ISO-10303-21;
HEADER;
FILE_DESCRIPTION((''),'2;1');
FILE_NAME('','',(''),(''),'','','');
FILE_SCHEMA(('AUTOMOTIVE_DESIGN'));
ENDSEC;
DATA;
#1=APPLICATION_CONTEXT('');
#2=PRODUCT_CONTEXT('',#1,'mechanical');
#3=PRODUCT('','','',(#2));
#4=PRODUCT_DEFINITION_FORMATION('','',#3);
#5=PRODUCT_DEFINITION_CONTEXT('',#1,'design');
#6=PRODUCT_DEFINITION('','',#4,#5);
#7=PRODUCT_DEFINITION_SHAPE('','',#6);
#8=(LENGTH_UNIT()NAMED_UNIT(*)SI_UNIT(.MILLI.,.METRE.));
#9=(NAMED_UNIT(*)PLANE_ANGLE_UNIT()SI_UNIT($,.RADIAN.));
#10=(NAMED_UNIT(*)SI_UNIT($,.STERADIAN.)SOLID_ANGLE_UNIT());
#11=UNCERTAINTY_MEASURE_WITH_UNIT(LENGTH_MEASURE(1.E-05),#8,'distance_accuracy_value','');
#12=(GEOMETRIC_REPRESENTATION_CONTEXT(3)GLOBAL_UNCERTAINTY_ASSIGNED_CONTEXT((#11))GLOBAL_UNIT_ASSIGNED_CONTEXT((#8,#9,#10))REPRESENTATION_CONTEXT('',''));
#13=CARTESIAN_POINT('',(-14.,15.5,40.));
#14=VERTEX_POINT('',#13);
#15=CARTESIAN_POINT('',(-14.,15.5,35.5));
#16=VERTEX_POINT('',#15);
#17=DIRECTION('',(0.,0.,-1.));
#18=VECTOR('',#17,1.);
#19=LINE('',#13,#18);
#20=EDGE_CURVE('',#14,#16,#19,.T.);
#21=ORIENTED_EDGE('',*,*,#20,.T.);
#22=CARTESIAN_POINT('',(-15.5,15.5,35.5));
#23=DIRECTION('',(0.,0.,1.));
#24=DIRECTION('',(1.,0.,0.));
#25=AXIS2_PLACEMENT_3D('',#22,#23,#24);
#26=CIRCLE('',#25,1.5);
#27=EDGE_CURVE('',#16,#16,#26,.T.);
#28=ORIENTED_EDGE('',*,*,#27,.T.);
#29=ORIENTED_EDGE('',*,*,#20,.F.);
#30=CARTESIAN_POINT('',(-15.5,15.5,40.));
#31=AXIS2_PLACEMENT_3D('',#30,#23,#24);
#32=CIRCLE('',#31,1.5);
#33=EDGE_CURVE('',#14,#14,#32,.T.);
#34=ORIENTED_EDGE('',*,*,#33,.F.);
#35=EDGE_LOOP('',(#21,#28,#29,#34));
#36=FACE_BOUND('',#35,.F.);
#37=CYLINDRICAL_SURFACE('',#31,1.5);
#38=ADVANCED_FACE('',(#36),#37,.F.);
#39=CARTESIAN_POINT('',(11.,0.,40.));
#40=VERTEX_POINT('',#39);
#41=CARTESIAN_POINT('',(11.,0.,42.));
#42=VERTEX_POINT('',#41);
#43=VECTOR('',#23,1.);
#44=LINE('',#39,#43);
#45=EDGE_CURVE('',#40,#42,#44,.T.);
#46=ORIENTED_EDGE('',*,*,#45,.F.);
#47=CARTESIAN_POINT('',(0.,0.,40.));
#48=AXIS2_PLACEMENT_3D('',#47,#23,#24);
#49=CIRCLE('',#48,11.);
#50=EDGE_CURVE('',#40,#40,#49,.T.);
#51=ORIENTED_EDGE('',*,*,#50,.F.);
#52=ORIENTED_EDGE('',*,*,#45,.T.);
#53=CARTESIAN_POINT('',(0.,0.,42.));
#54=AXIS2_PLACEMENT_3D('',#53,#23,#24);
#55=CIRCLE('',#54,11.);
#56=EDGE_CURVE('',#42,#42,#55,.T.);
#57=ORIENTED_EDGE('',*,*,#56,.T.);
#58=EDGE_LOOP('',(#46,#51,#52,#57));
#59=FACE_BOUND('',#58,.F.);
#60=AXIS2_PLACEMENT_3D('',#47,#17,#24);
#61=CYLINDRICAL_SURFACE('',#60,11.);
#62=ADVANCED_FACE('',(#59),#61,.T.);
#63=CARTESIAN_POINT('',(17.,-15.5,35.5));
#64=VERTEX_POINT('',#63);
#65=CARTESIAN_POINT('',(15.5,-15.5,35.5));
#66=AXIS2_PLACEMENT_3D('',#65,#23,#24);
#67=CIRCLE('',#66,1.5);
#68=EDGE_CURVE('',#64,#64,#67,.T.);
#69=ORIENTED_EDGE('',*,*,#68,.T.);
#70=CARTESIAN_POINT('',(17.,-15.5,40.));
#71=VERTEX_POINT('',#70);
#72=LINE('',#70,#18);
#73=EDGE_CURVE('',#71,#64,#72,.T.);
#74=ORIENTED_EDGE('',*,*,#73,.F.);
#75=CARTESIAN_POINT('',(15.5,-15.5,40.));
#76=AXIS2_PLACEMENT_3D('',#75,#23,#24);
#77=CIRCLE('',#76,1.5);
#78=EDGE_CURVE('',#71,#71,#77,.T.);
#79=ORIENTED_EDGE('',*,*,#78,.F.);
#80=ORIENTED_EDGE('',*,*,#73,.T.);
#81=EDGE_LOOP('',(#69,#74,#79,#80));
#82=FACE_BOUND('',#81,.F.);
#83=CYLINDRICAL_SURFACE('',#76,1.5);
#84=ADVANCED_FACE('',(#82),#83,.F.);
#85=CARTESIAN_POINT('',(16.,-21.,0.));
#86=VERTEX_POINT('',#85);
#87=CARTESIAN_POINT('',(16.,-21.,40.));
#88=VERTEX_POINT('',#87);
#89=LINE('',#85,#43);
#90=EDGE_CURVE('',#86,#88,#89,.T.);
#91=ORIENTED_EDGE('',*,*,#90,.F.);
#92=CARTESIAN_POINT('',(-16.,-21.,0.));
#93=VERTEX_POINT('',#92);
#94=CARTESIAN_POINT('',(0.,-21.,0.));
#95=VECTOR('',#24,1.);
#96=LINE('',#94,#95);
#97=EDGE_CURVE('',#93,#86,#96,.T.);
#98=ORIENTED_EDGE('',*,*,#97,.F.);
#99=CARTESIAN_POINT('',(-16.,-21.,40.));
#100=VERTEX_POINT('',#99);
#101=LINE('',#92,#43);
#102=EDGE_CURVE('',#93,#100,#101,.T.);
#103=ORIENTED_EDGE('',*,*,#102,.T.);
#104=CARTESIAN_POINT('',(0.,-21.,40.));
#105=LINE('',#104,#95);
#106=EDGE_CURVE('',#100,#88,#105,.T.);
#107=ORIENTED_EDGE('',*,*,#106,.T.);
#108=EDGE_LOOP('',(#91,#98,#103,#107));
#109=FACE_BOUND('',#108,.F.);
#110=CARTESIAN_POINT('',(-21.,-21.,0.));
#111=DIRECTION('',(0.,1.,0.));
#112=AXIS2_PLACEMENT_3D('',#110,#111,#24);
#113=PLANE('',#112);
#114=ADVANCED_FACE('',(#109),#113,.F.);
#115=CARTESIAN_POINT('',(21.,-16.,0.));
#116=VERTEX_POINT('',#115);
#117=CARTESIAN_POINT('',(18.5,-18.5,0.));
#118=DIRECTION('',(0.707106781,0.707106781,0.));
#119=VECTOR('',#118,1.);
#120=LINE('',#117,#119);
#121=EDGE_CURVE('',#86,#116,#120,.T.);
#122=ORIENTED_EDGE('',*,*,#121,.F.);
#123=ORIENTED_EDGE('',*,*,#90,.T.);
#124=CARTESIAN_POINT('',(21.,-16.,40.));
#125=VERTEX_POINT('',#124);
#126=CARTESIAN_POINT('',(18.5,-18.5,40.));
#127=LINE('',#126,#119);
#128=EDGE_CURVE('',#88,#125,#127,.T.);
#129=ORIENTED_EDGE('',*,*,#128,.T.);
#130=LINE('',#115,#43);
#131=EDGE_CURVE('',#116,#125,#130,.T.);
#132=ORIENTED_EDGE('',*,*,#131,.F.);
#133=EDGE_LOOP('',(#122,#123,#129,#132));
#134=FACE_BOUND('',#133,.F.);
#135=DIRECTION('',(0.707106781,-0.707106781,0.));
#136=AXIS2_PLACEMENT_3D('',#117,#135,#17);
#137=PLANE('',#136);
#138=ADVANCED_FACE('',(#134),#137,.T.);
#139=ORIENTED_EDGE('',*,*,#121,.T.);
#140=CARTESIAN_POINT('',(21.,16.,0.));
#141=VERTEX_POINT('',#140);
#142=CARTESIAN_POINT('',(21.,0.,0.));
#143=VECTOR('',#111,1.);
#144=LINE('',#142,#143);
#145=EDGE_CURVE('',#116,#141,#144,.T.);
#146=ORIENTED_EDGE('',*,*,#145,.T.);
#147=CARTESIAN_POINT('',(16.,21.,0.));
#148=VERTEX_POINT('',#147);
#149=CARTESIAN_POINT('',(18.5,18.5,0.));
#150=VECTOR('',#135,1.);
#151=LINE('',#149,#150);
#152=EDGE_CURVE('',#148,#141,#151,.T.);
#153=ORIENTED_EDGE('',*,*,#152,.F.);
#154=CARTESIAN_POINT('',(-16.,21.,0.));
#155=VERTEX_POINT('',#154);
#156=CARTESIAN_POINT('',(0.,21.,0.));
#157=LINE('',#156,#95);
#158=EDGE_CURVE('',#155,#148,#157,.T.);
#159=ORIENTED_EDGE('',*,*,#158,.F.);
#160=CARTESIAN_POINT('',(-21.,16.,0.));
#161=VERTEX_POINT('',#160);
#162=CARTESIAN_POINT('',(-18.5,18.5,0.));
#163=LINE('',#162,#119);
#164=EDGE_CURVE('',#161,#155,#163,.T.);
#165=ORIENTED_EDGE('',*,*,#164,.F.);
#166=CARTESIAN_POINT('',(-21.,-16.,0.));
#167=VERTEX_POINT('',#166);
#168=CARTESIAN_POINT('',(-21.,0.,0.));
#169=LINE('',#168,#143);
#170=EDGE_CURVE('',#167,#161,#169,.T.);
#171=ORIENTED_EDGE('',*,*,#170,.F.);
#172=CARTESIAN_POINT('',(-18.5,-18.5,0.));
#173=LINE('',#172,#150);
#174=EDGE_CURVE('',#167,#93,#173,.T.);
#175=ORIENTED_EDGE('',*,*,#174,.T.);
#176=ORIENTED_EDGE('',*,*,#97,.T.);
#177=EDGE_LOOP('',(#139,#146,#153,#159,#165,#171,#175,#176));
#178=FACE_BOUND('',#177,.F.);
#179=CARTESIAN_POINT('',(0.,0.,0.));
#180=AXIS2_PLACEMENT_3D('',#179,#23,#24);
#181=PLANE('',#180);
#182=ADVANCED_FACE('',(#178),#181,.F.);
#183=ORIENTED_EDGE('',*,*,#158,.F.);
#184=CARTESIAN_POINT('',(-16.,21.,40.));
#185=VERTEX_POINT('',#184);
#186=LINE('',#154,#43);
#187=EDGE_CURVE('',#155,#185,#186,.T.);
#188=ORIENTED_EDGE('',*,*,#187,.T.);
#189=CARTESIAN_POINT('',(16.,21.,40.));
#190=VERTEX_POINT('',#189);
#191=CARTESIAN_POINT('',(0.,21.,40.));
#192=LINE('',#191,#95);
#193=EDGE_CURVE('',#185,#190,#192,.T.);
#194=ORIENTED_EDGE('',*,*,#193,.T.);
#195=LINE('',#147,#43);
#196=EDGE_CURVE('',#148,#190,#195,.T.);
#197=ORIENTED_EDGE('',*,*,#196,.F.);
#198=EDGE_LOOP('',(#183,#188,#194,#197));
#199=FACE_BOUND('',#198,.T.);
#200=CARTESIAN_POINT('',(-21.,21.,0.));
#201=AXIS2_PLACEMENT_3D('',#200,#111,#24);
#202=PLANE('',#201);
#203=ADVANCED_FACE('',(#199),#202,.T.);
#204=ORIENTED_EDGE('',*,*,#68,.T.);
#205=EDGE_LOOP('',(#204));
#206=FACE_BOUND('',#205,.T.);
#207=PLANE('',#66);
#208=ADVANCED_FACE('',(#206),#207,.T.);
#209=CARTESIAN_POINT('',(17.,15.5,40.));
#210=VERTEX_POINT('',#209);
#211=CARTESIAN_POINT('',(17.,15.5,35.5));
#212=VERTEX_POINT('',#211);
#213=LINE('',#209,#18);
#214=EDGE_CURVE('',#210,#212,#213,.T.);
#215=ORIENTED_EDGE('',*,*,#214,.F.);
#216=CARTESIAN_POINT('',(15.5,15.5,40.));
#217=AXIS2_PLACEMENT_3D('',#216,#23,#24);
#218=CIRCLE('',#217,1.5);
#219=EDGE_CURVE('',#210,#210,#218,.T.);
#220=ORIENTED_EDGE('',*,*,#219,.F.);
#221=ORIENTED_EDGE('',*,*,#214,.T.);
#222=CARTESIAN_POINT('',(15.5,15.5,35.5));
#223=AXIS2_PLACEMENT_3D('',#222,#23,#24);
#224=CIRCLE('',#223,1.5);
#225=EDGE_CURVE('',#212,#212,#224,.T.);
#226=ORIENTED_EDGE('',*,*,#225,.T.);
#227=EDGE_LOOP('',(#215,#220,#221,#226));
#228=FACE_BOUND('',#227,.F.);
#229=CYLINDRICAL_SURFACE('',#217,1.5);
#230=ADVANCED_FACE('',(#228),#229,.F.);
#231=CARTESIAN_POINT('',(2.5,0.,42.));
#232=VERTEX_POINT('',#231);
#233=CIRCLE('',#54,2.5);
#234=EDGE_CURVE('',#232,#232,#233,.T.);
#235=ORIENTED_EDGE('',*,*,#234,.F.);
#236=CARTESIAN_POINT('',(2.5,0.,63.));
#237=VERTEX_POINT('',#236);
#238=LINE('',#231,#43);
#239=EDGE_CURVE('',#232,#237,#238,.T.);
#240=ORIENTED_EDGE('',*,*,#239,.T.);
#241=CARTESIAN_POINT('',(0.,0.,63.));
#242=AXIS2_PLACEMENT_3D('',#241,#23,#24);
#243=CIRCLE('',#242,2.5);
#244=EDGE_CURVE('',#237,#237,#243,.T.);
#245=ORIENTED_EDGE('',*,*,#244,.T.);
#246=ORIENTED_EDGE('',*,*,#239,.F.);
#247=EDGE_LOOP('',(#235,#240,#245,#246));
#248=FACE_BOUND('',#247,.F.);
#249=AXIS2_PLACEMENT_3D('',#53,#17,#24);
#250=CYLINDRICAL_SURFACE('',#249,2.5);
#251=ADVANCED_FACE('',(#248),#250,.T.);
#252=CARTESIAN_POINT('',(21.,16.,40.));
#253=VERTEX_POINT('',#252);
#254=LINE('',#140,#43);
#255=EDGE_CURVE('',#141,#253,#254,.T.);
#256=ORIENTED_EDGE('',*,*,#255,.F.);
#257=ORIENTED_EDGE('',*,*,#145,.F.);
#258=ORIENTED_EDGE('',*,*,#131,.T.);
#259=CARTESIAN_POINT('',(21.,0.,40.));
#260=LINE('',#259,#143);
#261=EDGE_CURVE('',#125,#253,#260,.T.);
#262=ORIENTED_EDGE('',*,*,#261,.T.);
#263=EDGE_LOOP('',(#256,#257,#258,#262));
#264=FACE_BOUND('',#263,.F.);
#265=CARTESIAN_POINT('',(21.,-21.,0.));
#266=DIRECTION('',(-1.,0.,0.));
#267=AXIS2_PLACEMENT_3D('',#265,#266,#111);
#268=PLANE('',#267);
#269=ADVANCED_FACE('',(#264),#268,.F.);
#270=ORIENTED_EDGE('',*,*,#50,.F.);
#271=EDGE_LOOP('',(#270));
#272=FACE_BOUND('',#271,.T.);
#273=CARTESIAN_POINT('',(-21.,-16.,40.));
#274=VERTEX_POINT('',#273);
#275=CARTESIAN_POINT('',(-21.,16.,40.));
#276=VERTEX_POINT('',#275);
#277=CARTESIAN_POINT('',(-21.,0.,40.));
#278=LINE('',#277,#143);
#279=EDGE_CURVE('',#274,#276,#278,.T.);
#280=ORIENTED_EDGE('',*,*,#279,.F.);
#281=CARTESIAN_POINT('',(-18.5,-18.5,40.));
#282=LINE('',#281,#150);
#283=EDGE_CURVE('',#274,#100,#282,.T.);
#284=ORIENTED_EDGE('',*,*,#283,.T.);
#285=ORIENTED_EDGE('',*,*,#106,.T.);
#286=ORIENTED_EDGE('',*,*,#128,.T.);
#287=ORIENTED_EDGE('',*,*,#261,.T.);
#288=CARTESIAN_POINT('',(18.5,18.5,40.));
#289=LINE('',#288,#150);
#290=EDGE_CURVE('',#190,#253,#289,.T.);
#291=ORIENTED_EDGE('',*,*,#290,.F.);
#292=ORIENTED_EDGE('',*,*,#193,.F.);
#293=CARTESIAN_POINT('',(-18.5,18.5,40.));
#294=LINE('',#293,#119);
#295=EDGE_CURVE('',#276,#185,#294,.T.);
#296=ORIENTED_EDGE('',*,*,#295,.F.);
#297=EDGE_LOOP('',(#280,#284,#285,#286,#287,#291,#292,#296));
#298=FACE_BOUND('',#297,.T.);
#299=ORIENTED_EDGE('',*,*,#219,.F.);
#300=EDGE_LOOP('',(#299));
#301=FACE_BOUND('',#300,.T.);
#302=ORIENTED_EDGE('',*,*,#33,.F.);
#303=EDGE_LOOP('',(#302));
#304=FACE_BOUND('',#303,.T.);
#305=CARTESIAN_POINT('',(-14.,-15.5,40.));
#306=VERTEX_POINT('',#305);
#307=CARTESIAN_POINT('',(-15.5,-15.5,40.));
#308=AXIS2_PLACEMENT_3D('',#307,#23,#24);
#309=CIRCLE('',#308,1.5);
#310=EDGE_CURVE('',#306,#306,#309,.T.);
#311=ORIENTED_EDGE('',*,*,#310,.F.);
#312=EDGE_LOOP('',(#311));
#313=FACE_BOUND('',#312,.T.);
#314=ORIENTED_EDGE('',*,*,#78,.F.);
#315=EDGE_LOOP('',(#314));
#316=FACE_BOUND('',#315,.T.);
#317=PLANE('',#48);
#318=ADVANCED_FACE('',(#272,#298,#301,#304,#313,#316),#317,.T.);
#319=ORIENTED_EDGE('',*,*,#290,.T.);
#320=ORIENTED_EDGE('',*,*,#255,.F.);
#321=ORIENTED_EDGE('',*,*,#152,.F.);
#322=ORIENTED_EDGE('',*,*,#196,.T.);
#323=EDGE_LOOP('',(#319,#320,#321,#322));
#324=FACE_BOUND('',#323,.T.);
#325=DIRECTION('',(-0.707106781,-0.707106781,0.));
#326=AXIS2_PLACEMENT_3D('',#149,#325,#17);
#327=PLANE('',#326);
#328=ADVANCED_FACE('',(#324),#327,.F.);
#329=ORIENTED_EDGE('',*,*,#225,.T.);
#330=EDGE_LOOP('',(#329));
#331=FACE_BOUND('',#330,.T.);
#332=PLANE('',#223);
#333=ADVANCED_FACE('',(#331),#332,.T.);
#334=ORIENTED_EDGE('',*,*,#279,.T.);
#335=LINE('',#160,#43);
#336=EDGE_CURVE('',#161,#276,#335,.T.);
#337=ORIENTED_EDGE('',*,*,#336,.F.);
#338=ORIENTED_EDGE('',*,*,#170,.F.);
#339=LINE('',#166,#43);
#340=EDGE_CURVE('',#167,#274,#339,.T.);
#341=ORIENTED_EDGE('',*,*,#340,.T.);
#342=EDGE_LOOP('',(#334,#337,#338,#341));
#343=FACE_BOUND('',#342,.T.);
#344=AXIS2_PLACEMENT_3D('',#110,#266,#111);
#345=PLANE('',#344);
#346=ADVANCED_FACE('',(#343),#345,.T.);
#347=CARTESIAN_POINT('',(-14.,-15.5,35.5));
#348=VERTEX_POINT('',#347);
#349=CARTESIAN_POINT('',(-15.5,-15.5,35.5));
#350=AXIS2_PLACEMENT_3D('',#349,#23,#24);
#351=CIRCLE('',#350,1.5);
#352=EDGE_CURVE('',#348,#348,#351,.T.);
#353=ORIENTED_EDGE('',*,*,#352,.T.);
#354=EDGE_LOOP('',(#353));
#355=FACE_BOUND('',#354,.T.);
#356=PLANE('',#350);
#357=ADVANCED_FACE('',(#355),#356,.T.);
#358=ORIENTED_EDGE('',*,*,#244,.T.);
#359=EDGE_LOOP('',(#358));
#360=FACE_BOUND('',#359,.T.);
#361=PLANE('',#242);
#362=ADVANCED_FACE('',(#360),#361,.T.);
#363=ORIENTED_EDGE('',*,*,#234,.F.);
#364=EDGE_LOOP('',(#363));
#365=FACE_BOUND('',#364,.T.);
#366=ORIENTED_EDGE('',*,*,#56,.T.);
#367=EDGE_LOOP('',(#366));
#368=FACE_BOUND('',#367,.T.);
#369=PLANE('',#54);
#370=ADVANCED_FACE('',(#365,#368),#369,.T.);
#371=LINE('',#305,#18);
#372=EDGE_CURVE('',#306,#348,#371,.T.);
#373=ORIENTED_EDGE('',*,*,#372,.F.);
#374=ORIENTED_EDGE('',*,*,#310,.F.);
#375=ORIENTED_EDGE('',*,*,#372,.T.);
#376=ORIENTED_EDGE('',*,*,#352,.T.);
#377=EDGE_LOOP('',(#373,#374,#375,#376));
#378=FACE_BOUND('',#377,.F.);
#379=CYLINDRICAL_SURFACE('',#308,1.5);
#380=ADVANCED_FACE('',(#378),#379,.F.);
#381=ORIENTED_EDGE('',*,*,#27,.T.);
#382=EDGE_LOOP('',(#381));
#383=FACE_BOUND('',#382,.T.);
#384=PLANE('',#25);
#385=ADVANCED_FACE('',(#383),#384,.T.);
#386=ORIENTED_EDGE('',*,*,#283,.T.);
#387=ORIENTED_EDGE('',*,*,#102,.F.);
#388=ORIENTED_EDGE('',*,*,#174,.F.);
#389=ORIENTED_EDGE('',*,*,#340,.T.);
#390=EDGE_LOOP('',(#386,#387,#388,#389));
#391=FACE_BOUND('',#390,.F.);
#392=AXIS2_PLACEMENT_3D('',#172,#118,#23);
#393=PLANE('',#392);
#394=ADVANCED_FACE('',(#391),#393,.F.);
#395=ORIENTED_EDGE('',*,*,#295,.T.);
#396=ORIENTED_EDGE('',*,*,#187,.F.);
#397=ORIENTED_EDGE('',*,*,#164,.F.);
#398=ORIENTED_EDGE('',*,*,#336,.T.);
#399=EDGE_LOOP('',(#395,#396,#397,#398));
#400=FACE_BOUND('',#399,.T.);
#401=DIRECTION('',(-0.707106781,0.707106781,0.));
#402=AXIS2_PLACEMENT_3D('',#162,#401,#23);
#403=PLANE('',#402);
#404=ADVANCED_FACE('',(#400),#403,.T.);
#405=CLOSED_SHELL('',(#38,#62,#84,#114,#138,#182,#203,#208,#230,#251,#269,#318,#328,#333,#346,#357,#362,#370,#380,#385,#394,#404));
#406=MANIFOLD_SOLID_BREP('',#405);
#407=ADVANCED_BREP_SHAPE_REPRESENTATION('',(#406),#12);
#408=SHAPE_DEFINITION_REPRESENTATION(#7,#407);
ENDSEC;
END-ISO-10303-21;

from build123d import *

# Parameters (mm, degrees)
F0_W     = 42
F0_H     = 42
F1_DEPTH = 40
F2_R     = 11
F3_DEPTH = 2
F4_R     = 2.5
F5_DEPTH = 21
F6_R     = 1.5
F7_DEPTH = 4.5
F8_SIZE  = 5


with BuildPart() as f1:
    # F0 (on Top) → F1 (new body)
    with BuildSketch(Plane.XY):
        Rectangle(F0_W, F0_H)
    extrude(amount=F1_DEPTH)

    # F2 (on face) → F3 (join)
    with BuildSketch(Plane.XY.offset(40)):
        Circle(F2_R)
    extrude(amount=F3_DEPTH)

    # F4 (on face) → F5 (join)
    with BuildSketch(Plane.XY.offset(42)):
        Circle(F4_R)
    extrude(amount=F5_DEPTH)

    # F6 (on face) → F7 (cut)
    with BuildSketch(Plane.XY.offset(40)):
        with Locations((-15.5, 15.5)):
            Circle(F6_R)
        with Locations((-15.5, -15.5)):
            Circle(F6_R)
        with Locations((15.5, 15.5)):
            Circle(F6_R)
        with Locations((15.5, -15.5)):
            Circle(F6_R)
    extrude(amount=-F7_DEPTH, mode=Mode.SUBTRACT)

    # F8
    f8_edges = [f1.edges().sort_by_distance(p)[0] for p in [
        (21, 21, 20),
        (21, -21, 20),
        (-21, -21, 20),
        (-21, 21, 20),
    ]]
    chamfer(f8_edges, length=F8_SIZE)


solid = f1.part
